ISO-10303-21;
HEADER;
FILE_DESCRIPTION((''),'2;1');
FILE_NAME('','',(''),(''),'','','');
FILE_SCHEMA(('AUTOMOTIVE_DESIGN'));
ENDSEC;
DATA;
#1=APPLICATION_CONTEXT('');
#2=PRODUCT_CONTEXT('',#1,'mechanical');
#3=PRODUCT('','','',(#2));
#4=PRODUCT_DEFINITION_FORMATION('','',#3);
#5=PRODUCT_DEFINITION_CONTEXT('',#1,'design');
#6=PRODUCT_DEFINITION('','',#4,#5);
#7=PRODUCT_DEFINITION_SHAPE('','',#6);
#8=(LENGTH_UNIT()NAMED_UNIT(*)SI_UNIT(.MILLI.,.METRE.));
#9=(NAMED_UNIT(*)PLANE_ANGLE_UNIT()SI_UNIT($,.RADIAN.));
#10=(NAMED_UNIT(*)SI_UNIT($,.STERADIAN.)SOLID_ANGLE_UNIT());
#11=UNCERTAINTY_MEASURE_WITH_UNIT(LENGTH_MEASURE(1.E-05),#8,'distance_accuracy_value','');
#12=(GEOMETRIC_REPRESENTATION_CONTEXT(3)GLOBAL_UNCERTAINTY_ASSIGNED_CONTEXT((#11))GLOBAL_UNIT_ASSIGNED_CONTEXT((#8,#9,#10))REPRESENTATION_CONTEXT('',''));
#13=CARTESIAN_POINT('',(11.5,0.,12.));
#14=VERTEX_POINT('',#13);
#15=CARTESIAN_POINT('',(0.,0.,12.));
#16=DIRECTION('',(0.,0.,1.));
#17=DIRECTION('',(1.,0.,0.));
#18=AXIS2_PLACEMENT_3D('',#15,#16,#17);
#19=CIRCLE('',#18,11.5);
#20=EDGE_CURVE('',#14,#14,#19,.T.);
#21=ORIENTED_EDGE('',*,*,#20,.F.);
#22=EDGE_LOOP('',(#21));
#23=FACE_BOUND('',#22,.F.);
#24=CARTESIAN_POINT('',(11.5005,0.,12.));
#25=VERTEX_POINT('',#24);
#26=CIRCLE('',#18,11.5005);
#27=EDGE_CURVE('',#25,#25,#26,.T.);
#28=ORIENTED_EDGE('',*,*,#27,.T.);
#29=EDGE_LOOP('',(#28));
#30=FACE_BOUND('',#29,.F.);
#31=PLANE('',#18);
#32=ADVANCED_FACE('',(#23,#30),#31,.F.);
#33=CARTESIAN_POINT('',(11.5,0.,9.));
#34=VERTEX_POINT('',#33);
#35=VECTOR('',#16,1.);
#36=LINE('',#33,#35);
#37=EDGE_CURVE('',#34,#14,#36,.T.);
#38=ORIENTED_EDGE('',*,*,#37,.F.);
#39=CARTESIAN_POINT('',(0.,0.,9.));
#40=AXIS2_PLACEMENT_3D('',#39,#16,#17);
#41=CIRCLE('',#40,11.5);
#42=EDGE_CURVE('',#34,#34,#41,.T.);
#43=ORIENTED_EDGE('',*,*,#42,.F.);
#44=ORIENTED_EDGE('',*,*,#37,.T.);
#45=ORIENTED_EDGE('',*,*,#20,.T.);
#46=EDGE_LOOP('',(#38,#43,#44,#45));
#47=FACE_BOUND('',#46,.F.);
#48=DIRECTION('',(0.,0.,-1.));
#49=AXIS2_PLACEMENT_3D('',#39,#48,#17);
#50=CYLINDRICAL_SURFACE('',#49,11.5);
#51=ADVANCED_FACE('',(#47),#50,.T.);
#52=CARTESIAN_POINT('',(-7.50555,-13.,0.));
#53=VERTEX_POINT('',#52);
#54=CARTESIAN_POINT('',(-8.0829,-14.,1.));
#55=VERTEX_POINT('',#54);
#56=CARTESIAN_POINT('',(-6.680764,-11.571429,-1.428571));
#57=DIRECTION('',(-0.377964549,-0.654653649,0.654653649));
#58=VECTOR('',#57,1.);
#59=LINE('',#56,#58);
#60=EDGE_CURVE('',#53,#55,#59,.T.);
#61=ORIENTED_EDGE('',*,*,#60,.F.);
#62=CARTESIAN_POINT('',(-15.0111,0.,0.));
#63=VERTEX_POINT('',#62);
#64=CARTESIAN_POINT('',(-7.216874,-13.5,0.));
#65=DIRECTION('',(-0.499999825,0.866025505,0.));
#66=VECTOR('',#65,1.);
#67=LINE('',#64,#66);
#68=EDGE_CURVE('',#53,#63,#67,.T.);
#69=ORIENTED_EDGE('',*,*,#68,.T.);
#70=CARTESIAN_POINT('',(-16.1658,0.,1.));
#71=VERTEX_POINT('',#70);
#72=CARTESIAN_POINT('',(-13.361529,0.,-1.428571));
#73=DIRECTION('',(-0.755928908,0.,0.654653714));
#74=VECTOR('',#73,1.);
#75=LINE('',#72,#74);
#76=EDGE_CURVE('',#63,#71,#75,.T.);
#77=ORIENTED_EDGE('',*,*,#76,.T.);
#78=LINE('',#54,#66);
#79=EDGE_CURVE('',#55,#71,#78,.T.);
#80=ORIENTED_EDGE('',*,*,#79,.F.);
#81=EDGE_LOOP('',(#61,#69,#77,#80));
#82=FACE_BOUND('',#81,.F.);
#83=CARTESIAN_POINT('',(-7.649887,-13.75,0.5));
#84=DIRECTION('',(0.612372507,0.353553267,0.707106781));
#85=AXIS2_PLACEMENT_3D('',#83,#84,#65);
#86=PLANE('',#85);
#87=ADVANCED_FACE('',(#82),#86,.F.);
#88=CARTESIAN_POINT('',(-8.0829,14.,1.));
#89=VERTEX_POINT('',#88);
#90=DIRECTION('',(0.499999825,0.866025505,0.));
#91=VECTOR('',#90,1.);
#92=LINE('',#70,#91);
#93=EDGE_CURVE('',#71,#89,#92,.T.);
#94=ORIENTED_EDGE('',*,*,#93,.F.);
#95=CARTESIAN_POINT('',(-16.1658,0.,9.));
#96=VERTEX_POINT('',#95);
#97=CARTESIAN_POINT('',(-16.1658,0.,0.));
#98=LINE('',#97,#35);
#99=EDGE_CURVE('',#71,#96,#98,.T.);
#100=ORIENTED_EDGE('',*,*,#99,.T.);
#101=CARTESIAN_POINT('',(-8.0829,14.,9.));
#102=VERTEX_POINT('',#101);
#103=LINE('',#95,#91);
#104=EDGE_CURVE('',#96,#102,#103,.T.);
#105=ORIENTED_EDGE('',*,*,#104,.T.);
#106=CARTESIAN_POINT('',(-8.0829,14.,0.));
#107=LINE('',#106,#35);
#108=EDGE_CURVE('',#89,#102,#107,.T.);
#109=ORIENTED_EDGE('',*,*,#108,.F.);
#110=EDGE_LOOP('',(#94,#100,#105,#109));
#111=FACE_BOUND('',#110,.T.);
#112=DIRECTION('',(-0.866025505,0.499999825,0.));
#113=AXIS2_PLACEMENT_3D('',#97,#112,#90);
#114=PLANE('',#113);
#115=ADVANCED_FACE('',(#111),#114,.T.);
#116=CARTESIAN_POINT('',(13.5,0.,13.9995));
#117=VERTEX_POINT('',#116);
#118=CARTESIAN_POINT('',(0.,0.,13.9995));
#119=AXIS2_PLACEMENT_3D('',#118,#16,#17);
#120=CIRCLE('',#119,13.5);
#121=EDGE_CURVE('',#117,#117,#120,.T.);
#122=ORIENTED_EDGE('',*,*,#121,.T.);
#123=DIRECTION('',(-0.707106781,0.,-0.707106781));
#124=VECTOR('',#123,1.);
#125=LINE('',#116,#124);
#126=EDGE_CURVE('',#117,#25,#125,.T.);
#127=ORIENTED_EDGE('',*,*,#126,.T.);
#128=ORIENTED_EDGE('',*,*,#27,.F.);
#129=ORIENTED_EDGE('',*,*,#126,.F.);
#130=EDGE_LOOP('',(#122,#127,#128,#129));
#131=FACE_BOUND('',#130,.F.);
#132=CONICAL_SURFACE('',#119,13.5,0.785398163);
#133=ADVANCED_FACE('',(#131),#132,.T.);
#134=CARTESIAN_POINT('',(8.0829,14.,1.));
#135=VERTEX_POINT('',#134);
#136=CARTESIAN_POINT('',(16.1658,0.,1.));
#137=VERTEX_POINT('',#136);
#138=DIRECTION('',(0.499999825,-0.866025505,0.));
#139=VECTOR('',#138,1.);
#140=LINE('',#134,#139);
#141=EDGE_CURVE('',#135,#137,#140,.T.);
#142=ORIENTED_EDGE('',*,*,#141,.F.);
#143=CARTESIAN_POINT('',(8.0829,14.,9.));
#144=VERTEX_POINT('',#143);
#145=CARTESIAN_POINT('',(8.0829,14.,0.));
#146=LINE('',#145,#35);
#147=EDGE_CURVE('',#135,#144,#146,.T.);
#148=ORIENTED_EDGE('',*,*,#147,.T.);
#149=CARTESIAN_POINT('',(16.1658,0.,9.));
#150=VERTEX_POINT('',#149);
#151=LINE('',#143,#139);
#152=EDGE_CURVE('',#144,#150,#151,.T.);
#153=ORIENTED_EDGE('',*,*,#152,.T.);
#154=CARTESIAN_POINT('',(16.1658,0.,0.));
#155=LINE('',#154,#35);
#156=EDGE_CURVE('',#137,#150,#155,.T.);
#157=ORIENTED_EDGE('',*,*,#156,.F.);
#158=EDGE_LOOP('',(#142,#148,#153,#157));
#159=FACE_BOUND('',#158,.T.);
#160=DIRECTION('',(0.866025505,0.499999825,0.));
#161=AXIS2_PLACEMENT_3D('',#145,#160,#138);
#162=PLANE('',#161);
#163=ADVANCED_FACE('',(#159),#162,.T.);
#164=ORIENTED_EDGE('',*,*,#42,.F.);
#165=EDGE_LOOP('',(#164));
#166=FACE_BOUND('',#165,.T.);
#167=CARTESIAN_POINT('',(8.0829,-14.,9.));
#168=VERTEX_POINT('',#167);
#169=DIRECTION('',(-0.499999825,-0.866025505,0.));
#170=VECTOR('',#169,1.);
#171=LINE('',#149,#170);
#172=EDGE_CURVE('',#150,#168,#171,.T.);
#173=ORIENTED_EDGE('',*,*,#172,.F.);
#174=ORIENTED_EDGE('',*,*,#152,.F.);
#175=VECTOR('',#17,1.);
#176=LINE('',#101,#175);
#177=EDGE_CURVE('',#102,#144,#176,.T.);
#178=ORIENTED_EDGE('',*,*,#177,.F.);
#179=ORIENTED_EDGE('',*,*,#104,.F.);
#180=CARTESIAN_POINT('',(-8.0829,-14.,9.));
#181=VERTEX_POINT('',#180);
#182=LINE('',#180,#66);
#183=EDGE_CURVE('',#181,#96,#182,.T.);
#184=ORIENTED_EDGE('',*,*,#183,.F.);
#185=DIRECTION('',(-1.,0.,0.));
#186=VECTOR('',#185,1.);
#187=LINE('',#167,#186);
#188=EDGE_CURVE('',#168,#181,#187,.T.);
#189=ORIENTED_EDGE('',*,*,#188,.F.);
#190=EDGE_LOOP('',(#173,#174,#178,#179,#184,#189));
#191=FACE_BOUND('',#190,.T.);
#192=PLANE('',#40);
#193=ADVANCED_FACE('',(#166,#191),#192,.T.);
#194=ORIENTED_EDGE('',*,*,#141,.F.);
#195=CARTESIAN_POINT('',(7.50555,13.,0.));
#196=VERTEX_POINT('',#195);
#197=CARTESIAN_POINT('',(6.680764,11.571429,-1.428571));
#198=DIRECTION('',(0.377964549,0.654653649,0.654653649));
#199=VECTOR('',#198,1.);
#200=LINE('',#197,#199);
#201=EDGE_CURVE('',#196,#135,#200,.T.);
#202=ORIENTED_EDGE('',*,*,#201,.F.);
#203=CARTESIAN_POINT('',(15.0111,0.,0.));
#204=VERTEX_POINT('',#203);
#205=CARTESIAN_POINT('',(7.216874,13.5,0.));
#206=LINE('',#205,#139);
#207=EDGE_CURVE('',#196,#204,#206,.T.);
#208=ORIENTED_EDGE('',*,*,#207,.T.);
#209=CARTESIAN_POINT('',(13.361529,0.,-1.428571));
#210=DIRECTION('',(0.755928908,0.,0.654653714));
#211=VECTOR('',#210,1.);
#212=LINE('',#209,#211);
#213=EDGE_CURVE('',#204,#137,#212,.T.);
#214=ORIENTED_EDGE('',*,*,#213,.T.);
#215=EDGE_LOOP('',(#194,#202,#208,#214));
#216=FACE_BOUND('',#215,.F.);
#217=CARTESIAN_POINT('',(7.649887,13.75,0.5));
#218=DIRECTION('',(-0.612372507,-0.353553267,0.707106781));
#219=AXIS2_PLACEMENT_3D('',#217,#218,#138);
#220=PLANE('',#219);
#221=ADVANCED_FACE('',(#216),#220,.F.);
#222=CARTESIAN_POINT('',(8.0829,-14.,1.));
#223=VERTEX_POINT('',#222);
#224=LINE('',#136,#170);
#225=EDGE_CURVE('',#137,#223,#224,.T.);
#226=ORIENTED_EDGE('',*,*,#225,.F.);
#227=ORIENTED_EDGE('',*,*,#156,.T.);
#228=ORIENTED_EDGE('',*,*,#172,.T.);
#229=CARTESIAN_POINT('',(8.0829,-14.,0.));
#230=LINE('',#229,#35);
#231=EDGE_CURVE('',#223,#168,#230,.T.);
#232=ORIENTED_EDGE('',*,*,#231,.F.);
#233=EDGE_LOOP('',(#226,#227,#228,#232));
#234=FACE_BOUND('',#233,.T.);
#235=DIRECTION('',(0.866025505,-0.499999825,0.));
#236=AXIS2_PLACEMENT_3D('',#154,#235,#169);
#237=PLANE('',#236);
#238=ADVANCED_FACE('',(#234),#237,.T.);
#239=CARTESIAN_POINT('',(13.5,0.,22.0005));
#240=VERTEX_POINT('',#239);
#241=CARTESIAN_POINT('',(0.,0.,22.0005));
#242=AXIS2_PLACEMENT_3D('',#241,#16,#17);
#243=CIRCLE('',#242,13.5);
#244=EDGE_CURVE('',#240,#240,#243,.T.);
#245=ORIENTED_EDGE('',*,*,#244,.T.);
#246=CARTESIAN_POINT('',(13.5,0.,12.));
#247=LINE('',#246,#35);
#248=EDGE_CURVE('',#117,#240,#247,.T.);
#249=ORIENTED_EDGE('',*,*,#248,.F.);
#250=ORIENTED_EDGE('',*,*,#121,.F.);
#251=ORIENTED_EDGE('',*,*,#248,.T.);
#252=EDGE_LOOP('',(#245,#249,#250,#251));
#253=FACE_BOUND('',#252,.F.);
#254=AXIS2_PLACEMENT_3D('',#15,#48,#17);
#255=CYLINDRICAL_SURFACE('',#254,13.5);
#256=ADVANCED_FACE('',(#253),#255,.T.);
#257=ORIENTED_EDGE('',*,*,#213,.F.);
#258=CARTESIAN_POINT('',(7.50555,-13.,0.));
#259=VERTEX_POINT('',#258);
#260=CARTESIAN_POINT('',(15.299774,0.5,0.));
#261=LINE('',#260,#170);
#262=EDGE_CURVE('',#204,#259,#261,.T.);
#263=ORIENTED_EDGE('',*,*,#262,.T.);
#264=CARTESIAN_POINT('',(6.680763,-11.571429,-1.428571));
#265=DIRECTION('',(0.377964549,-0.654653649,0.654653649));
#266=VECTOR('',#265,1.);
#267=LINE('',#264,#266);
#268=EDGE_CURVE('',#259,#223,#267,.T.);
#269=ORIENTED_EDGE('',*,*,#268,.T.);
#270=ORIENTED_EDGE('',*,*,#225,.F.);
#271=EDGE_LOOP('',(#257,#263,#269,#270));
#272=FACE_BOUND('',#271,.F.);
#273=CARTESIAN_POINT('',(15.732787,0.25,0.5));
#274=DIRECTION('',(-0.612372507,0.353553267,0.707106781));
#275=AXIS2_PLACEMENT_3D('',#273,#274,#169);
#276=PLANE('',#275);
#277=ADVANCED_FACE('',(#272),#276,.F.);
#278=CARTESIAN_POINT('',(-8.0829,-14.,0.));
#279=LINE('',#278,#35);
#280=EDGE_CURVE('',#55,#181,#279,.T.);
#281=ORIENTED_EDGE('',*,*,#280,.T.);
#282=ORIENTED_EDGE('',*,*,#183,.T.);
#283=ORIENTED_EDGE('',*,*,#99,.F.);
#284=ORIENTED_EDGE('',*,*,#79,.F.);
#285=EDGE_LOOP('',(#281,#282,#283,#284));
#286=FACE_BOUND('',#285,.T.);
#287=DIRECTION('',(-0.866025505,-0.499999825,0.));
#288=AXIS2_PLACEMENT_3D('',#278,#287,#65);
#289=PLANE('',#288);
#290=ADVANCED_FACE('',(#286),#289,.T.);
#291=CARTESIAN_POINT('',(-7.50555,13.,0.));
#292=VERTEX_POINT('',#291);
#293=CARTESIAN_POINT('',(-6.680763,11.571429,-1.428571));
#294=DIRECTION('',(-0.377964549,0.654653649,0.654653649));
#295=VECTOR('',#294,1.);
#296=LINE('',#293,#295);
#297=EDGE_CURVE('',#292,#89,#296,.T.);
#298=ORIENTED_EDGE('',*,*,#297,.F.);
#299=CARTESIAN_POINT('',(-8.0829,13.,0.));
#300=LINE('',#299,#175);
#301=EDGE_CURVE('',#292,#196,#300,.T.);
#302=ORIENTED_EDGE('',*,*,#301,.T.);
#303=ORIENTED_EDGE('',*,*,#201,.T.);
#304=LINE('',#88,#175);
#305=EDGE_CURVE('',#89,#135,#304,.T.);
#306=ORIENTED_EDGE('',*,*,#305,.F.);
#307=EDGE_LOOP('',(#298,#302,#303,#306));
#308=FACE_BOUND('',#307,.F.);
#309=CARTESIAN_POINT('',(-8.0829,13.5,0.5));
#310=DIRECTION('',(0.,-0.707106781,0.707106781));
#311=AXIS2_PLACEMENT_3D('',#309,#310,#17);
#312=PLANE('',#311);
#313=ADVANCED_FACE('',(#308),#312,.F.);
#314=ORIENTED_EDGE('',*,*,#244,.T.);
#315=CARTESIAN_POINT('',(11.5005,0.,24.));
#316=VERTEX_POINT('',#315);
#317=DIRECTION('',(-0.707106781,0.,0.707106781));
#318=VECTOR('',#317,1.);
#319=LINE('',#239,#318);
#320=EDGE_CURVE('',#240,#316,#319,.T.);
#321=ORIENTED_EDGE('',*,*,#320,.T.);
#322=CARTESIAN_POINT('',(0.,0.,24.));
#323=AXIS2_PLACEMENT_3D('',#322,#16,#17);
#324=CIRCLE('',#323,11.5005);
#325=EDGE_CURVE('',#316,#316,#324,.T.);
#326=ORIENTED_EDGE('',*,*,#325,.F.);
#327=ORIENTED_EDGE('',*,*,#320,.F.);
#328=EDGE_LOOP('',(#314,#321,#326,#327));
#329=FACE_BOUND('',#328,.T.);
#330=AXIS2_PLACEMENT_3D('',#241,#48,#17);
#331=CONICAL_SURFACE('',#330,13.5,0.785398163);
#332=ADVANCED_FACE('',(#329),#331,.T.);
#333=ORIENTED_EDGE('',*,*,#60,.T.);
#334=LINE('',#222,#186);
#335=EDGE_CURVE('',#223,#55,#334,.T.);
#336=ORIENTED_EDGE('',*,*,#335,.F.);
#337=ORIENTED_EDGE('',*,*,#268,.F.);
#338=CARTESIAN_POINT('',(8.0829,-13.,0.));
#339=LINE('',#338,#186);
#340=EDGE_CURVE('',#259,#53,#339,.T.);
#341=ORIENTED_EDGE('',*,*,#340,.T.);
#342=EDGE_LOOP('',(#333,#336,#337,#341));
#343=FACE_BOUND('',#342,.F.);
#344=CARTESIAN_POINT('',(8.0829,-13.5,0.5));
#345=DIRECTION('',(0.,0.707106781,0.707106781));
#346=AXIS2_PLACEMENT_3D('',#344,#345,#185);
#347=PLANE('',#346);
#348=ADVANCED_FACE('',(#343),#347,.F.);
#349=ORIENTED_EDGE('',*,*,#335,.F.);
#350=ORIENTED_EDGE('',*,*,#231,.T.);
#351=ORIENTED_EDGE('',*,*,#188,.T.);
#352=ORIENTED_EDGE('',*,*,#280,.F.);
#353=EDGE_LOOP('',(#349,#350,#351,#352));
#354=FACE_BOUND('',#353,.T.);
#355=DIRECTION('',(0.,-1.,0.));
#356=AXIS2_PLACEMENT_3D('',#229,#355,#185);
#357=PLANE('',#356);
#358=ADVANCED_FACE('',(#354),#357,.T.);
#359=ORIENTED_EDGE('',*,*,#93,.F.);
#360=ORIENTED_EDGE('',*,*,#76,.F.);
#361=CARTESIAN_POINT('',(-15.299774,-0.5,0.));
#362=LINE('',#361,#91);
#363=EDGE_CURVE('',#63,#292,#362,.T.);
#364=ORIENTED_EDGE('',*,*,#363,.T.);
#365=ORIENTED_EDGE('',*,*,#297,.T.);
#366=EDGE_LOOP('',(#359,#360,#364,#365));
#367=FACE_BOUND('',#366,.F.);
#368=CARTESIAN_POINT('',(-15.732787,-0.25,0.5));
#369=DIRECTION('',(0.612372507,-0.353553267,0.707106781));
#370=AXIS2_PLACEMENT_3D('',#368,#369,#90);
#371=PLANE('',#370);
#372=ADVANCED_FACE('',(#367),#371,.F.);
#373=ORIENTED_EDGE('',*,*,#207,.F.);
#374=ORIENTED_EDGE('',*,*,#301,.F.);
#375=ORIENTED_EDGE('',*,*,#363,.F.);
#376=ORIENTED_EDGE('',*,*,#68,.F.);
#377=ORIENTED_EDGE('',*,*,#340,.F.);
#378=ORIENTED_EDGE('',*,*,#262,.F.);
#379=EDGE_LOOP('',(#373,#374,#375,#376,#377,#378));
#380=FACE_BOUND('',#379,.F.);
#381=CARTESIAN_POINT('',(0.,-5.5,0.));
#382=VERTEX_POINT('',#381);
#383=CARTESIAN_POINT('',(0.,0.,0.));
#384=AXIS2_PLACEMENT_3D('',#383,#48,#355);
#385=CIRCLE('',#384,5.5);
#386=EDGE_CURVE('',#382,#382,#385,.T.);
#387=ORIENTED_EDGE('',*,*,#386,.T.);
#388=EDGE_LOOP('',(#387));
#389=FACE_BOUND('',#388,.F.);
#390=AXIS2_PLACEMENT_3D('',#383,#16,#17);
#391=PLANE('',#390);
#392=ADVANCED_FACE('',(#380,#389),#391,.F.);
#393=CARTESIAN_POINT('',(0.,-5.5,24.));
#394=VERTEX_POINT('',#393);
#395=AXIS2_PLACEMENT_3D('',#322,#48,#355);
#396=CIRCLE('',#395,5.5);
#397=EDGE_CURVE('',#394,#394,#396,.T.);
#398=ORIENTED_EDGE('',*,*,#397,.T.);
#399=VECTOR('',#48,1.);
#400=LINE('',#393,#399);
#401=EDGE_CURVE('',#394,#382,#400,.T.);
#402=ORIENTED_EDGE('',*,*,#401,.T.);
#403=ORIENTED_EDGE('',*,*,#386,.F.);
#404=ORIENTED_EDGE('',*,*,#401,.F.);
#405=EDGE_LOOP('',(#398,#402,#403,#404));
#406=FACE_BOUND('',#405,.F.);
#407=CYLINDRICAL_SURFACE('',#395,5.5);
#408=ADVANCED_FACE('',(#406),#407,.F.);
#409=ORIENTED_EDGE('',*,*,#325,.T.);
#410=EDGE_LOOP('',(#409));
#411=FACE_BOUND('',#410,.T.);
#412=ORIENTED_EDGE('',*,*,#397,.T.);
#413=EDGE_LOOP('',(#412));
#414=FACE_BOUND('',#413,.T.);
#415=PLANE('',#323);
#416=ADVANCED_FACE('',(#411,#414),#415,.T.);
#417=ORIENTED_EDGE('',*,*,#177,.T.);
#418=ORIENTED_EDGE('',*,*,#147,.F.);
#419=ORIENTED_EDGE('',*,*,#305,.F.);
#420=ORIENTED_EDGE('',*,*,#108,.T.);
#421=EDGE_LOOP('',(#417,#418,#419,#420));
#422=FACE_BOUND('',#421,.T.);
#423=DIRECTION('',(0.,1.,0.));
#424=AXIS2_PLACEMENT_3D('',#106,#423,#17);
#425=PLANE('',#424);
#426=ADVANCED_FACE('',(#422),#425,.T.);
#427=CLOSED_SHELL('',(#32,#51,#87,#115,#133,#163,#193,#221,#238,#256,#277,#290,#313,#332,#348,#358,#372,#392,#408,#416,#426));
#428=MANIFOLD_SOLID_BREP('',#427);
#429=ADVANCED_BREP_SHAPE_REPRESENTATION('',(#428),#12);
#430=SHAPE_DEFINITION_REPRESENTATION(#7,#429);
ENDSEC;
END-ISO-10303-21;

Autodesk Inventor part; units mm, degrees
ref_plane "YZ Plane" through (0, 0, 0) normal (1, 0, 0) x (0, 1, 0)
ref_plane "XZ Plane" through (0, 0, 0) normal (0, 1, 0) x (-1, 0, 0)
ref_plane "XY Plane" through (0, 0, 0) normal (0, 0, 1) x (1, 0, 0)
sketch "草图1" plane through (0, 0, 0) normal (0, 0, 1) x (1, 0, 0)
  line L0 (8.0829, 14) -> (16.1658, 0)
  line L1 (16.1658, 0) -> (8.0829, -14)
  line L2 (8.0829, -14) -> (-8.0829, -14)
  line L3 (-8.0829, -14) -> (-16.1658, 0)
  line L4 (-16.1658, 0) -> (-8.0829, 14)
  line L5 (-8.0829, 14) -> (8.0829, 14)
  point P0 (0, 0)
  point P1 (0, 0)
extrude "拉伸1" add sketch "草图1" along normal blind 9
sketch "草图2" plane through (0, 0, 9) normal (0, 0, 1) x (1, 0, 0)
  circle A0 centre (0, 0) radius 11.5
  dimension "d4" = 23
extrude "拉伸2" add sketch "草图2" along normal blind 3
sketch "草图3" plane through (0, 0, 12) normal (0, 0, 1) x (1, 0, 0)
  circle A0 centre (0, 0) radius 13.5
  dimension "d7" = 27
extrude "拉伸3" add sketch "草图3" along normal blind 12
chamfer "倒角1" distance 2 angle 45 2 edges at (-13.5, 0, 24) (-13.5, 0, 12)
sketch "草图4" plane through (0, 0, 24) normal (0, 0, 1) x (1, 0, 0)
  circle A0 centre (0, 0) radius 11.5 projected
hole "孔1" at (0, 0, 24) direction (0, 0, -1) diameter 11 end through all
thread "螺纹1" size "M27x3" designation "M27" class "6g" standard "GB Metric profile" length 48
chamfer "倒角2" distance 1 angle 45 6 edges at (12.1244, -7, 0) (12.1244, 7, 0) (0, 14, 0) (-12.1244, 7, 0) (0, -14, 0) (-12.1244, -7, 0)
properties part number "3-锁紧螺母" material "灰口铁"
